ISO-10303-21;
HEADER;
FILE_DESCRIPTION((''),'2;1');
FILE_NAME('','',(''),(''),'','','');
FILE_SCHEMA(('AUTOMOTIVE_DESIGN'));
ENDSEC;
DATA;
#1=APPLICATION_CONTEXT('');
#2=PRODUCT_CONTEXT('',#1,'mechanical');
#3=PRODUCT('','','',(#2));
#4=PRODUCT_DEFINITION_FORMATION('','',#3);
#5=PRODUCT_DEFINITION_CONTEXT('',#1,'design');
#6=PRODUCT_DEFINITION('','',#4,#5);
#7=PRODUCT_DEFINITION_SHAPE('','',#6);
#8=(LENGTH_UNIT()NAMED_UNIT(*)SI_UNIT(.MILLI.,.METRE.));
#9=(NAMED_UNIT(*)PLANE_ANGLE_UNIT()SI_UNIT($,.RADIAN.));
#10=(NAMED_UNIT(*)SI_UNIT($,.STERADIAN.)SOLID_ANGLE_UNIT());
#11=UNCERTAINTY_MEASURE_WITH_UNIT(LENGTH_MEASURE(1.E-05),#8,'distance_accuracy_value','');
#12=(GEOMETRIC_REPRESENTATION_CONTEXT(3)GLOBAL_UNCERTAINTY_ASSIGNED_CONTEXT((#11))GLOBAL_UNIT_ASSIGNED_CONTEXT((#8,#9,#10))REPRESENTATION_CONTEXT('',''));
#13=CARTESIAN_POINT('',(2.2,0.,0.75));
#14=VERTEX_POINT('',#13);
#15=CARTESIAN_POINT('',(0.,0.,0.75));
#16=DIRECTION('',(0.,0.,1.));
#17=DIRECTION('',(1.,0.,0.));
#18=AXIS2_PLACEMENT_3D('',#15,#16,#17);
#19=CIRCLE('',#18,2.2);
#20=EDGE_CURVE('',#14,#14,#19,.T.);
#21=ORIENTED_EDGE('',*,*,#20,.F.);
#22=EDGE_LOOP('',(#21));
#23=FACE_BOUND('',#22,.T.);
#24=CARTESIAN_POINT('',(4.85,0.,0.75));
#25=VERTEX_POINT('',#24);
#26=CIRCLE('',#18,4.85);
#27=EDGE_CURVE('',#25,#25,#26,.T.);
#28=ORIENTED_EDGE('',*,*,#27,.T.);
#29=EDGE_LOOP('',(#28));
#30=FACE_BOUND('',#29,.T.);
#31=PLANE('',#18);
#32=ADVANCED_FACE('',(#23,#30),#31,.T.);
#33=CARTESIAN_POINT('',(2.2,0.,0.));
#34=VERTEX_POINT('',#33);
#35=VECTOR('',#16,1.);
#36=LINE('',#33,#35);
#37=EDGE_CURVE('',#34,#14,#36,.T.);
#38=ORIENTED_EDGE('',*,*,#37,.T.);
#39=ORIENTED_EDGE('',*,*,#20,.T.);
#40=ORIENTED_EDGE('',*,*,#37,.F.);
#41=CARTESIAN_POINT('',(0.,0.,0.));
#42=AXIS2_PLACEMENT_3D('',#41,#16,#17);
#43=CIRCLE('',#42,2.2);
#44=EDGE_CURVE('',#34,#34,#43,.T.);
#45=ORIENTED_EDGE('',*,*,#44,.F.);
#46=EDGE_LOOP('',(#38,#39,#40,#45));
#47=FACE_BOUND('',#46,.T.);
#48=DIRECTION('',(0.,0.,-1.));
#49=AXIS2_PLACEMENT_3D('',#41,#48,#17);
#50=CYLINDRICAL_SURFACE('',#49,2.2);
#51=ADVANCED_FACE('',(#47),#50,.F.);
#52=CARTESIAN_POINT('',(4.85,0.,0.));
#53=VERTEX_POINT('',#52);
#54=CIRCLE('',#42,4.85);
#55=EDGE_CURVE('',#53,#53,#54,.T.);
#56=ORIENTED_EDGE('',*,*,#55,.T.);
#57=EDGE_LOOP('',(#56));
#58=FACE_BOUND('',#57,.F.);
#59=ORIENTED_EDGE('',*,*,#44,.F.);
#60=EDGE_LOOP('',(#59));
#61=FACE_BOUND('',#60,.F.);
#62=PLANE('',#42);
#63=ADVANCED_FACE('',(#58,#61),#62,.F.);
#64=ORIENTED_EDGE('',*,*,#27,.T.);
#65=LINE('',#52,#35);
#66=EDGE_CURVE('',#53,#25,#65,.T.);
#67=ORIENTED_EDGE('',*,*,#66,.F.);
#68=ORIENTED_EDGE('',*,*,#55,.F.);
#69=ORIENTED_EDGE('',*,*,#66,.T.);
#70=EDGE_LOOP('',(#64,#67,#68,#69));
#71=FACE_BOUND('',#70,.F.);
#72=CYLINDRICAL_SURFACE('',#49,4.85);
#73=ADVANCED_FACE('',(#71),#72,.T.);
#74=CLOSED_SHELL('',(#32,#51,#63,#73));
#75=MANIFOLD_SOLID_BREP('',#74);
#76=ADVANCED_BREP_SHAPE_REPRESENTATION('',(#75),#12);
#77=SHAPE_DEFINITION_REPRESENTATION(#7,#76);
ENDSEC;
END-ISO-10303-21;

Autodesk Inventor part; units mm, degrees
ref_plane "YZ Plane" through (0, 0, 0) normal (1, 0, 0) x (0, 1, 0)
ref_plane "XZ Plane" through (0, 0, 0) normal (0, 1, 0) x (-1, 0, 0)
ref_plane "XY Plane" through (0, 0, 0) normal (0, 0, 1) x (1, 0, 0)
sketch "スケッチ1" plane through (0, 0, 0) normal (0, 0, 1) x (1, 0, 0)
  circle A0 centre (0, 0) radius 4.85
  circle A1 centre (0, 0) radius 2.2
  dimension "d0" = 9.7
  dimension "d1" = 4.4
extrude "押し出し1" add sketch "スケッチ1" along normal blind 0.75
properties part number "washer_M4" material "ステンレス鋼"
